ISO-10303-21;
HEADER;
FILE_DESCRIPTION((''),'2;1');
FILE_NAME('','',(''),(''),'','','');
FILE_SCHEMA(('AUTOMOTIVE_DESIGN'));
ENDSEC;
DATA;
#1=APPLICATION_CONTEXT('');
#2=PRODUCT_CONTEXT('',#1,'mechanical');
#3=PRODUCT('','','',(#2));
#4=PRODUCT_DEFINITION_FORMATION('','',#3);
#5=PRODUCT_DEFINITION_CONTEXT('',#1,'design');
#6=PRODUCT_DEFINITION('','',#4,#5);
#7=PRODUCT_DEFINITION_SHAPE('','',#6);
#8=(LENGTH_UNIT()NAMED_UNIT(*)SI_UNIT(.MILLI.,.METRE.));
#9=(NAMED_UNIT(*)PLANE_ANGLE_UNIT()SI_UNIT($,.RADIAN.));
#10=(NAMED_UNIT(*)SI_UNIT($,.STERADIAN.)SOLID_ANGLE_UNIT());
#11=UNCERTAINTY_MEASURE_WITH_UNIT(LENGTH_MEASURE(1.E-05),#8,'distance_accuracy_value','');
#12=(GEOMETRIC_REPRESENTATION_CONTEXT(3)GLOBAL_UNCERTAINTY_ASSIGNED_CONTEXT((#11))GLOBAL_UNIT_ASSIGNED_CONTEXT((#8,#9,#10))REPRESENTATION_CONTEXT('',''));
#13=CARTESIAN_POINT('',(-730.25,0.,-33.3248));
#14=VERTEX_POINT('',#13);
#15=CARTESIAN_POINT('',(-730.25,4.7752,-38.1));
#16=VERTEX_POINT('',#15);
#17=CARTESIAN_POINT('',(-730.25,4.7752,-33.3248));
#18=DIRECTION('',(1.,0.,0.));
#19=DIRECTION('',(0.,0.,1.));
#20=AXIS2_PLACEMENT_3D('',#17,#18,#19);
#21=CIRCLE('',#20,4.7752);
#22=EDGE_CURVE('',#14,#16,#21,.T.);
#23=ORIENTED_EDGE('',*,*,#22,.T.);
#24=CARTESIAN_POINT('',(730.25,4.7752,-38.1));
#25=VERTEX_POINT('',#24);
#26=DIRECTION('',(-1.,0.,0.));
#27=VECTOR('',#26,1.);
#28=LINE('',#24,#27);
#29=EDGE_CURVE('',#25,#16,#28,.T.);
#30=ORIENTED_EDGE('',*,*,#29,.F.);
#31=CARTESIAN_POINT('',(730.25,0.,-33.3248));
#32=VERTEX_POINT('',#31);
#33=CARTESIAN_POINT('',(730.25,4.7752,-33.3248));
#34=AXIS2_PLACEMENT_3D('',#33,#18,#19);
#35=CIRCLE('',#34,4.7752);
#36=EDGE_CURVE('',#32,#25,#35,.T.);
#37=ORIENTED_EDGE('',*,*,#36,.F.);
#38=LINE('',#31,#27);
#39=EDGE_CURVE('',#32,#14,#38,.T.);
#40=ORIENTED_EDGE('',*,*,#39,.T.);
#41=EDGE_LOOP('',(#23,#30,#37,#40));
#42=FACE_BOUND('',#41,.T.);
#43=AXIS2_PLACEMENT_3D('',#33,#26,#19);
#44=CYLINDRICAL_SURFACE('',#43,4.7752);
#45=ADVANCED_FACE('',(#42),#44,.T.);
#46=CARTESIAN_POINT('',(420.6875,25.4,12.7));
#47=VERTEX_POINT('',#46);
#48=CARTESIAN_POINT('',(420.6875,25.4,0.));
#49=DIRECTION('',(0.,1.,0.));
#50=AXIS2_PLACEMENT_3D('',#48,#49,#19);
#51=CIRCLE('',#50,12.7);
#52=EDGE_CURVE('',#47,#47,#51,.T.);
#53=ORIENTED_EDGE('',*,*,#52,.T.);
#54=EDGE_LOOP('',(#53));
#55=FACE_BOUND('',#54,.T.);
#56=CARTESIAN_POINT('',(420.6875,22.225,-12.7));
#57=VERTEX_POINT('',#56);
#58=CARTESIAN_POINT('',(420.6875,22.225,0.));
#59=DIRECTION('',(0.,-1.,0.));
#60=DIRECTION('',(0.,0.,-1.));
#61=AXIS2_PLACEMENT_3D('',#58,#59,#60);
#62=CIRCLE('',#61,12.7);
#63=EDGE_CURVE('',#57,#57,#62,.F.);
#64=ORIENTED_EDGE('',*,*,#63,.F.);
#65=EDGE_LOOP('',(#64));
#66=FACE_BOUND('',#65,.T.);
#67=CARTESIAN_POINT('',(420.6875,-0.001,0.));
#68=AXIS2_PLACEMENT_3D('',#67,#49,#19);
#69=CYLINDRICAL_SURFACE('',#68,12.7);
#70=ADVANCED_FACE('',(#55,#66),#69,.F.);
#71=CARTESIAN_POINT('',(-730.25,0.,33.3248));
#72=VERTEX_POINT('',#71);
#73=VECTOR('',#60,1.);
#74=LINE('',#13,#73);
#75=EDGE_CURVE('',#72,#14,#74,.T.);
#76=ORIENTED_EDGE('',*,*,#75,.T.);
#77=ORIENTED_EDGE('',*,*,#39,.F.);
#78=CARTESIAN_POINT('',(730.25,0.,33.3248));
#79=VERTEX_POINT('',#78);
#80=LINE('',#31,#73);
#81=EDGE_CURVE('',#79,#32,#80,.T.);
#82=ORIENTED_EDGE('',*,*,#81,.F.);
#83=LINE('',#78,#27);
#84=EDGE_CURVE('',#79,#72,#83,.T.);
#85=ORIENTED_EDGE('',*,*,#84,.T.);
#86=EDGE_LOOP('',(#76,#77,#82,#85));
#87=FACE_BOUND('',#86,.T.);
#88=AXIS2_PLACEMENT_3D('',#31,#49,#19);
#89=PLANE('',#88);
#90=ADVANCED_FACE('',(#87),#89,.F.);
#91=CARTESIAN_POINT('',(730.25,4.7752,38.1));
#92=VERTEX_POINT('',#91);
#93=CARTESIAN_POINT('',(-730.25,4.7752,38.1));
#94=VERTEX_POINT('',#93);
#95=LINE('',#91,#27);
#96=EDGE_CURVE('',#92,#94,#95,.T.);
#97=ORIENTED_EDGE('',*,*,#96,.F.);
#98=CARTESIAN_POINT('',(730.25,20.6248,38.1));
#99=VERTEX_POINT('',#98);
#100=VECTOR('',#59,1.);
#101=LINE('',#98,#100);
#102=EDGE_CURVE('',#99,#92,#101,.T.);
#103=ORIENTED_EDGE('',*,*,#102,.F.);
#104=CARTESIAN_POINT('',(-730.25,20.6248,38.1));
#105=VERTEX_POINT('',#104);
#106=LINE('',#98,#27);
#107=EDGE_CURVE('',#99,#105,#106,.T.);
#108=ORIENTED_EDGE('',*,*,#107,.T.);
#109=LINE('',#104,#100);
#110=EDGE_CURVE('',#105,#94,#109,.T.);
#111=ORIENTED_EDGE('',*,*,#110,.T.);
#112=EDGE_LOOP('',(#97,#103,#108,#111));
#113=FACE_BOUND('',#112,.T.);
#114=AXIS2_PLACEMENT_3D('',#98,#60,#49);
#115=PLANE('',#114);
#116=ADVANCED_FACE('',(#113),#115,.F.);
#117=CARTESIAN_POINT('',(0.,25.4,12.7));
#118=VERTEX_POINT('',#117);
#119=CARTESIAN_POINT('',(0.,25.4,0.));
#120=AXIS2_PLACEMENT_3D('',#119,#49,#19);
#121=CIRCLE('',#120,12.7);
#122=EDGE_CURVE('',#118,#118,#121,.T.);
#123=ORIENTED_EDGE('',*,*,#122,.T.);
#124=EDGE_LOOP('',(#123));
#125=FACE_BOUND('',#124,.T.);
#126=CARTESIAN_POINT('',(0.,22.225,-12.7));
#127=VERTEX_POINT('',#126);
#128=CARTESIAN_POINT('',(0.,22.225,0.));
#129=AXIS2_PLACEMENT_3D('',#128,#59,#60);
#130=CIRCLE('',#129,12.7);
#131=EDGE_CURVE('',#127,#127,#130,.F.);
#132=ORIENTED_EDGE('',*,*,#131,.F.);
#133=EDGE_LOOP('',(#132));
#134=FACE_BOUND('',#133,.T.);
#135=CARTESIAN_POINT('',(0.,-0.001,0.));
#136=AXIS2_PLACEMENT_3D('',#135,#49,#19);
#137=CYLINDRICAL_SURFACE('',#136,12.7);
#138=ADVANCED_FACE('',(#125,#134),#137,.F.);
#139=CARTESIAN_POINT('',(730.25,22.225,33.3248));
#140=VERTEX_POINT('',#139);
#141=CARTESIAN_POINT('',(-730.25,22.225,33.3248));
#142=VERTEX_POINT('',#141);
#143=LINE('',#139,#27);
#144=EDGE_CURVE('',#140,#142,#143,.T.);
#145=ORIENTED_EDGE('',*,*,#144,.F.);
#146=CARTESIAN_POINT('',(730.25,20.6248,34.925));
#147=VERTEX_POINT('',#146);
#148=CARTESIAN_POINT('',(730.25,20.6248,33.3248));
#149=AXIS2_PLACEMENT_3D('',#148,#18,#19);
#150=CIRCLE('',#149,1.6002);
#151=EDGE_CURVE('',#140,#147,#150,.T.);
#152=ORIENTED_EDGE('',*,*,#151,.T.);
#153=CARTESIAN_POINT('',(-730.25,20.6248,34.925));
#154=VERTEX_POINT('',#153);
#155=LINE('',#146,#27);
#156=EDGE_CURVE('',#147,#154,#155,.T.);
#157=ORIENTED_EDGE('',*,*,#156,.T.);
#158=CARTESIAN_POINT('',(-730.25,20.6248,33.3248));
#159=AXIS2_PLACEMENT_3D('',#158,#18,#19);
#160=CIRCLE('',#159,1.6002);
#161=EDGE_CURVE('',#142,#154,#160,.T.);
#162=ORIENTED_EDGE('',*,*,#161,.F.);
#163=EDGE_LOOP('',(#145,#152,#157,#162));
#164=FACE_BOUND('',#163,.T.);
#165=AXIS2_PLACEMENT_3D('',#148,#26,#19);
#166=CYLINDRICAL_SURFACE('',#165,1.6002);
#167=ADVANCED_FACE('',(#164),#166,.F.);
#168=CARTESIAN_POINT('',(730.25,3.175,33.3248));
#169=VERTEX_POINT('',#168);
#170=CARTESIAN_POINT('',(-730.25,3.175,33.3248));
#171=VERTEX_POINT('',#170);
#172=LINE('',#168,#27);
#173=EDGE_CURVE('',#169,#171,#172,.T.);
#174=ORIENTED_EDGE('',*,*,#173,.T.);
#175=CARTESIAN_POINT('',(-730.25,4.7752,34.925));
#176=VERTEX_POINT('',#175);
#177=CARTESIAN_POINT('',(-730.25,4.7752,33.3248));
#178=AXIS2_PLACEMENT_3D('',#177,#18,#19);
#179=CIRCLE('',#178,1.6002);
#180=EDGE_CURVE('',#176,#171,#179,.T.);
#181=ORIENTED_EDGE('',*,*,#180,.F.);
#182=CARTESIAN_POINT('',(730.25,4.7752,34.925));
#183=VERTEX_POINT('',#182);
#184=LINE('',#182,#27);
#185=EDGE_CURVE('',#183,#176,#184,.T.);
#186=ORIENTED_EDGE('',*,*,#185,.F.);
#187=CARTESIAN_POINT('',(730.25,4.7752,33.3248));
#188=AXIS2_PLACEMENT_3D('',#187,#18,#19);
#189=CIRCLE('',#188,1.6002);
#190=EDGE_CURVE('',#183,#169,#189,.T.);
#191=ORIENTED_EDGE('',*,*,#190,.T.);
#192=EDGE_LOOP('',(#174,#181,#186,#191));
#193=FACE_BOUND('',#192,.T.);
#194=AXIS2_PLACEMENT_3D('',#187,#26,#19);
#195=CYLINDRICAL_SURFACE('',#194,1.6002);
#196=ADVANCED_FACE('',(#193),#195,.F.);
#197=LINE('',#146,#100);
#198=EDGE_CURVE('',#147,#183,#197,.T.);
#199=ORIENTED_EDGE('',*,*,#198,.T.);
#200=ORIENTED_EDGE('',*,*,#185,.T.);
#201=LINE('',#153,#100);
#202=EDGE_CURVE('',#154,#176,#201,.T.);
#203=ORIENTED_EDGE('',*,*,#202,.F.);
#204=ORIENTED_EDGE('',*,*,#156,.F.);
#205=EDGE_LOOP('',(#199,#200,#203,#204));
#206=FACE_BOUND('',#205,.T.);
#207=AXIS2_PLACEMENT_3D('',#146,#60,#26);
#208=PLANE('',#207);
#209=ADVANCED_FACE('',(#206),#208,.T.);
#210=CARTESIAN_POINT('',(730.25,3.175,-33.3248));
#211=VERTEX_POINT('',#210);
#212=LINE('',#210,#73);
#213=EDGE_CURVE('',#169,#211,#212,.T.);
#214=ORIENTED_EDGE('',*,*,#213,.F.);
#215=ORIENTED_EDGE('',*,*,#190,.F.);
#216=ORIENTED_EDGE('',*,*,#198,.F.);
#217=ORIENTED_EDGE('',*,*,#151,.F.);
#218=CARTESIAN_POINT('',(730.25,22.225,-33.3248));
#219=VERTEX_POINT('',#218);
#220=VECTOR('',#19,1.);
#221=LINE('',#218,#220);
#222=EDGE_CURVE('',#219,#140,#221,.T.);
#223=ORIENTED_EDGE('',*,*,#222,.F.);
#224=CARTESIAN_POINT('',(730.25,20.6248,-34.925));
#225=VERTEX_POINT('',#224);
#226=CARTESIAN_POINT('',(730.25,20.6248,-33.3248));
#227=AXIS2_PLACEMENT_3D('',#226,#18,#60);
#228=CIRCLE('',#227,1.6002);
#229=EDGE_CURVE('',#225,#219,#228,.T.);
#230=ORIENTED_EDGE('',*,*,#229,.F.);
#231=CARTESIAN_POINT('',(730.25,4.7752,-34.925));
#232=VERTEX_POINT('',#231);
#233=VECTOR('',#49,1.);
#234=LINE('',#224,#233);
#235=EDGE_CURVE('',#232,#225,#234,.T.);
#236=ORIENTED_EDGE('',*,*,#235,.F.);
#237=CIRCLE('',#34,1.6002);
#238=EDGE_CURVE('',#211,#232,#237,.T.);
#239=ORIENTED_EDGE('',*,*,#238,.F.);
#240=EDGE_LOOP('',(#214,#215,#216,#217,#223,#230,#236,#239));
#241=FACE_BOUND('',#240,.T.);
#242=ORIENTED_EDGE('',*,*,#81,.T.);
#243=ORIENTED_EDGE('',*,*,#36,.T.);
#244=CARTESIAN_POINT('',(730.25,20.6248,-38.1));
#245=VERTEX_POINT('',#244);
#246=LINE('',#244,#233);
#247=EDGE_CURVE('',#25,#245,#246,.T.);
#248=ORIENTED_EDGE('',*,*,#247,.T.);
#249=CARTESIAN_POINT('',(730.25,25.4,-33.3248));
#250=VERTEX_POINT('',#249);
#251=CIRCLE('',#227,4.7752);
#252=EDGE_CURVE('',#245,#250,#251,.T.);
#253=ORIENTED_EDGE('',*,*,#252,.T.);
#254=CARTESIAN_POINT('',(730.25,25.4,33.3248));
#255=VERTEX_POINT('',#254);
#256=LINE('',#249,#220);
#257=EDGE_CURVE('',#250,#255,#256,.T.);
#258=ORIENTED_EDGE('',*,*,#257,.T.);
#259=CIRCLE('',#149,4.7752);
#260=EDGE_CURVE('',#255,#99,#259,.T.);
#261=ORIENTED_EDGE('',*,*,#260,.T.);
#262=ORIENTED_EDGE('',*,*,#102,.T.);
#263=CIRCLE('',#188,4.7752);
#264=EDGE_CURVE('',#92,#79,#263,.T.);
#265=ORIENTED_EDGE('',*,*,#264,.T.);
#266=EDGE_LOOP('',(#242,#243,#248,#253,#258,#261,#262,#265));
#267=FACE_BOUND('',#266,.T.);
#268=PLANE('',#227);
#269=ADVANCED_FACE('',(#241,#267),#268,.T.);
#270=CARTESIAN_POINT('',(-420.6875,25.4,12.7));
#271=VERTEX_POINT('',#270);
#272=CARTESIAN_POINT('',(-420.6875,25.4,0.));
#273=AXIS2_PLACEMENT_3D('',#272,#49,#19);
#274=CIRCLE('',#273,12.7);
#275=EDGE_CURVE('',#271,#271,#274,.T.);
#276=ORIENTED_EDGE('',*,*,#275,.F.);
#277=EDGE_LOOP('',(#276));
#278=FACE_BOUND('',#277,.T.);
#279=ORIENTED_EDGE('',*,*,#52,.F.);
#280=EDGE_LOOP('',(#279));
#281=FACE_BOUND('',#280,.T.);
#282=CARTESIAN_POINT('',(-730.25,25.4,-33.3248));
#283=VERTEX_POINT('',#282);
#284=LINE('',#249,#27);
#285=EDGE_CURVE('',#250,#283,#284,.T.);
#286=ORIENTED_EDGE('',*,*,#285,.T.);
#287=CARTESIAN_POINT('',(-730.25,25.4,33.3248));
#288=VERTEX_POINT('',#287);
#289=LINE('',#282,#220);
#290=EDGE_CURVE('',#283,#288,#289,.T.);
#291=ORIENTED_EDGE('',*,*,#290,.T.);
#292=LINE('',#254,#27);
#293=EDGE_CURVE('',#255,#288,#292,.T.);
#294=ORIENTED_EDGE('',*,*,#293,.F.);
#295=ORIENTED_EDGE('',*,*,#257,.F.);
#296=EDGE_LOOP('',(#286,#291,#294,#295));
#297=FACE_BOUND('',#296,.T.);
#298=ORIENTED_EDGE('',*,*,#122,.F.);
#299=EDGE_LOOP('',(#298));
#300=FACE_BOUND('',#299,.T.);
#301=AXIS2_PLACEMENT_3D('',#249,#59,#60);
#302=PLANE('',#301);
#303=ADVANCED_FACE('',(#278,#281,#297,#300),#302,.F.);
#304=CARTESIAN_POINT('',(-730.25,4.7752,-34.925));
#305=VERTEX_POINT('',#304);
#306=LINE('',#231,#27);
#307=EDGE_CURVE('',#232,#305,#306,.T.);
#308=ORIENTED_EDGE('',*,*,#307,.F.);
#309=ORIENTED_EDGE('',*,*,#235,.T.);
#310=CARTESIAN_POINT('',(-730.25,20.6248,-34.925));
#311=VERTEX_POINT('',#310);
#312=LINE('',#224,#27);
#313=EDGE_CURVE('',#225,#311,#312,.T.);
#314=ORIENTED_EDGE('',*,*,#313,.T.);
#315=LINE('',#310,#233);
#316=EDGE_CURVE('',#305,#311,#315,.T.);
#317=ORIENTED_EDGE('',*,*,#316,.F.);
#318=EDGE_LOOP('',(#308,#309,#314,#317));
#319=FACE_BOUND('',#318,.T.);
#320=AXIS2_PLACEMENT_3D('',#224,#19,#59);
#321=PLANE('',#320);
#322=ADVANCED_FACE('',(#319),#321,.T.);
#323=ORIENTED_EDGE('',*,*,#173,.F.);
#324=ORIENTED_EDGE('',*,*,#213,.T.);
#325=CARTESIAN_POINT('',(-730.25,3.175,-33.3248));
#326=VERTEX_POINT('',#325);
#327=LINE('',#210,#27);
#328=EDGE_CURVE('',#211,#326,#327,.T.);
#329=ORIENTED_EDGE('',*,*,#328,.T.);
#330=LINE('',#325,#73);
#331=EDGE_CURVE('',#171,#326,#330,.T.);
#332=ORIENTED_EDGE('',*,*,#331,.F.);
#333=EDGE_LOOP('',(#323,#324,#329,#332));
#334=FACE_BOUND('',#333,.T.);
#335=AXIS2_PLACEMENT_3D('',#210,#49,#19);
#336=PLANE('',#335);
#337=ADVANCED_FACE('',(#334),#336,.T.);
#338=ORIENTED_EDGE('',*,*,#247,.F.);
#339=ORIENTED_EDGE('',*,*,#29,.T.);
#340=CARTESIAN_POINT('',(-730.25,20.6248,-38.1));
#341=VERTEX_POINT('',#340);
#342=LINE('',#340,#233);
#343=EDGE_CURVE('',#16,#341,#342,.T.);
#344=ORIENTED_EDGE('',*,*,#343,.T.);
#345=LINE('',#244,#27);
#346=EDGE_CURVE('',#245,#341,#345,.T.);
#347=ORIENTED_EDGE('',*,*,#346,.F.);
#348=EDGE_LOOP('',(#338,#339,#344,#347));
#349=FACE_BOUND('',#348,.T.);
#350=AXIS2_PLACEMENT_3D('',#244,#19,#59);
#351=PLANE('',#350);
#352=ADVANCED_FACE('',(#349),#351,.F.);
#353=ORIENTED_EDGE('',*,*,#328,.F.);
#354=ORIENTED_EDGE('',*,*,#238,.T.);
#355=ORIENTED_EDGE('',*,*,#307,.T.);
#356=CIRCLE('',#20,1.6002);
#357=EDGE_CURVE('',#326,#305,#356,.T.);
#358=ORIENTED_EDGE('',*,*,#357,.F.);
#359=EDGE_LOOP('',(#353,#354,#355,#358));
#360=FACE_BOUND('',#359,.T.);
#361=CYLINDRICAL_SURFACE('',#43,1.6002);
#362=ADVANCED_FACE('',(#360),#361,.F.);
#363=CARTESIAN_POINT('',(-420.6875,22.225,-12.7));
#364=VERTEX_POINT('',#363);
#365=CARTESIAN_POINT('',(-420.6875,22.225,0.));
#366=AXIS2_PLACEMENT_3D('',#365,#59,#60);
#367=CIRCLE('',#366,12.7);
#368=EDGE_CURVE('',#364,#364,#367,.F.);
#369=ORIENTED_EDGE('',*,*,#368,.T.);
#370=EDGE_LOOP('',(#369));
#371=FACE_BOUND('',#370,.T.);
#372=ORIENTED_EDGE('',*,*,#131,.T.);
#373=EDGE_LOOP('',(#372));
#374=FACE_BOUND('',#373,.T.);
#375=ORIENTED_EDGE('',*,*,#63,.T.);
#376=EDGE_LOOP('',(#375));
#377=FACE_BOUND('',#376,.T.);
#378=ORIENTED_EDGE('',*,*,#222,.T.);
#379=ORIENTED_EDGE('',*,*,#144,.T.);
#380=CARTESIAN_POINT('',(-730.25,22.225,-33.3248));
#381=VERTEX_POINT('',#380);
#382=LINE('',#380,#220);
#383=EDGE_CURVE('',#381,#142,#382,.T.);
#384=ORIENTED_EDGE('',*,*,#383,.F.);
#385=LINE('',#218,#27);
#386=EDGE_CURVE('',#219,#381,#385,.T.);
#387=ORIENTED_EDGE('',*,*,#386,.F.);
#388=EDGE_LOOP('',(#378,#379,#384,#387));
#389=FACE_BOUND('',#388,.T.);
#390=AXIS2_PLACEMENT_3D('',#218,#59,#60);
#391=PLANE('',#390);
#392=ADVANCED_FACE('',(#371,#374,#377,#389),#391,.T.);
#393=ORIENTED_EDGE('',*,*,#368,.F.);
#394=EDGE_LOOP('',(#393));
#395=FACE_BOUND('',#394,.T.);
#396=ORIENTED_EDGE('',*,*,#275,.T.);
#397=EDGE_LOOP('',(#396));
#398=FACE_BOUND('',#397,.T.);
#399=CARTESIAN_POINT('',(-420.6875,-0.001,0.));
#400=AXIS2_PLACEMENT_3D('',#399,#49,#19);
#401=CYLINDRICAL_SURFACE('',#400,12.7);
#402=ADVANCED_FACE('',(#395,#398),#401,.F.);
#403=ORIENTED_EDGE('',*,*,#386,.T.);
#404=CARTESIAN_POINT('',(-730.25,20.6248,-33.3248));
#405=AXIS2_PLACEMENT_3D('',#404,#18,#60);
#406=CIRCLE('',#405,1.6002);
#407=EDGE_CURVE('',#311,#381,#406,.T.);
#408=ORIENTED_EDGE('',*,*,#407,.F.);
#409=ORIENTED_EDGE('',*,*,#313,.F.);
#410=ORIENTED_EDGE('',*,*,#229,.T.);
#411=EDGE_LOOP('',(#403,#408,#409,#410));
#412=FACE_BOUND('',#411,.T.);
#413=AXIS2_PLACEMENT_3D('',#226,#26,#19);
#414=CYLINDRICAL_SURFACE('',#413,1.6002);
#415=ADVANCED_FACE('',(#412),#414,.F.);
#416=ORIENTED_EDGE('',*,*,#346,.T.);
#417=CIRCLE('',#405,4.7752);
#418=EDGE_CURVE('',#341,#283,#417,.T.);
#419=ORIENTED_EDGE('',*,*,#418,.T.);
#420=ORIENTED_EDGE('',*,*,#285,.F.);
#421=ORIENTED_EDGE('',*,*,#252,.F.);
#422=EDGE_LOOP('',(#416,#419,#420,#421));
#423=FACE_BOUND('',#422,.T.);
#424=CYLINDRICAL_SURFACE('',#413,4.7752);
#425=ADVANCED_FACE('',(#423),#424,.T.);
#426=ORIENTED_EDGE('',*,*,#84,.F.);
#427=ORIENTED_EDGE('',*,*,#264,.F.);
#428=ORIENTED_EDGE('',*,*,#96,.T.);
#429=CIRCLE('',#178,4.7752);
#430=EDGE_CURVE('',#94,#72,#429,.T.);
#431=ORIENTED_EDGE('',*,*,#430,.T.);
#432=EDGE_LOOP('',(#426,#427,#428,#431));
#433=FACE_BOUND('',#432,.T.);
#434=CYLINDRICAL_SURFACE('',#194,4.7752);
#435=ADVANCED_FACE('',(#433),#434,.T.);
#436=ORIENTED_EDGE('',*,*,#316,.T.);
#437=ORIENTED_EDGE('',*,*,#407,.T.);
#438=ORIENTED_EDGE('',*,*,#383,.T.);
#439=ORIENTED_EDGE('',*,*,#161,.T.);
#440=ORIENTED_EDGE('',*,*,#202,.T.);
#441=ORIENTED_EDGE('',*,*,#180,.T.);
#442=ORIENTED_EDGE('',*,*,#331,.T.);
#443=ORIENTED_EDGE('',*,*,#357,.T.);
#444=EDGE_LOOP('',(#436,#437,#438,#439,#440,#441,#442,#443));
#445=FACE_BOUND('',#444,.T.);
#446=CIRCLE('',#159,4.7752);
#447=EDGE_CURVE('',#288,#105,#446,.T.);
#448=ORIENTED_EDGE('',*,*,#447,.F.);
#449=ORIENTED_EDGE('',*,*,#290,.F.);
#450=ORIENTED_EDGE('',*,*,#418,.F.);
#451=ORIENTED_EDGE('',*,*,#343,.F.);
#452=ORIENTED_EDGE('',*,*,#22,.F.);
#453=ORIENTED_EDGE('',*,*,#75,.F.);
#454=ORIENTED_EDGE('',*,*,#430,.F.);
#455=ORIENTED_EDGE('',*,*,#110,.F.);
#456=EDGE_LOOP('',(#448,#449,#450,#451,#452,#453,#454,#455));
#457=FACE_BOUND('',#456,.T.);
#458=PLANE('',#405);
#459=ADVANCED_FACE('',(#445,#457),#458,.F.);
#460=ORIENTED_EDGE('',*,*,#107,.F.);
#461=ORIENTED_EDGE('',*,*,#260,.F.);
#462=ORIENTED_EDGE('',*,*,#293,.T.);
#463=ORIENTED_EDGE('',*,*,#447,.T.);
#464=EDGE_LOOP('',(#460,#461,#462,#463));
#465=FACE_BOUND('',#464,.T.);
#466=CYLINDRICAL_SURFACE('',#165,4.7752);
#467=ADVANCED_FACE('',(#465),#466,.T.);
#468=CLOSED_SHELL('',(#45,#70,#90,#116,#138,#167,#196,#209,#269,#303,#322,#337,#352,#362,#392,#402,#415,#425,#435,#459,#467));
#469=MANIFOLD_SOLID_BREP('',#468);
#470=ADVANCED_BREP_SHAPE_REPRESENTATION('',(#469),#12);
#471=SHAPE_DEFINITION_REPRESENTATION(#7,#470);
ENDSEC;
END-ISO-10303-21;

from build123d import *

# Parameters (mm, degrees)
BOSS_EXTRUDE1_DEPTH = 730.25
SKETCH2_R           = 12.7
CUT_EXTRUDE1_DEPTH  = 3.175
LPATTERN1_COUNT     = 3
LPATTERN1_PITCH     = 420.6875


with BuildPart() as part:
    # Sketch1 → Boss-Extrude1 (new body, symmetric)
    with BuildSketch(Plane(origin=(0, 0, 0), x_dir=(0, 0, -1), z_dir=(1, 0, 0))):
        with BuildLine():
            Line((33.3248, 25.4), (-33.3248, 25.4))
            ThreePointArc((-33.3248, 25.4), (-36.701376302, 24.001376302), (-38.1, 20.6248))
            Line((-38.1, 20.6248), (-38.1, 4.7752))
            ThreePointArc((-38.1, 4.7752), (-36.701376302, 1.398623698), (-33.3248, 0))
            Line((-33.3248, 0), (33.3248, 0))
            ThreePointArc((33.3248, 0), (36.701376302, 1.398623698), (38.1, 4.7752))
            Line((38.1, 4.7752), (38.1, 20.6248))
            ThreePointArc((38.1, 20.6248), (36.701376302, 24.001376302), (33.3248, 25.4))
        make_face()
        with BuildLine():
            Line((33.3248, 22.225), (-33.3248, 22.225))
            ThreePointArc((-33.3248, 22.225), (-34.456312271, 21.756312271), (-34.925, 20.6248))
            Line((-34.925, 20.6248), (-34.925, 4.7752))
            ThreePointArc((-34.925, 4.7752), (-34.456312271, 3.643687729), (-33.3248, 3.175))
            Line((-33.3248, 3.175), (33.3248, 3.175))
            ThreePointArc((33.3248, 3.175), (34.456312271, 3.643687729), (34.925, 4.7752))
            Line((34.925, 4.7752), (34.925, 20.6248))
            ThreePointArc((34.925, 20.6248), (34.456312271, 21.756312271), (33.3248, 22.225))
        make_face(mode=Mode.SUBTRACT)
    extrude(amount=BOSS_EXTRUDE1_DEPTH, both=True)

    # Sketch2 → Cut-Extrude1 (cut)
    with BuildSketch(Plane(origin=(0, 25.4, 0), x_dir=(1, 0, 0), z_dir=(0, 1, 0))):
        with Locations((-420.6875, 0)):
            Circle(SKETCH2_R)
    cut_extrude1 = extrude(amount=-CUT_EXTRUDE1_DEPTH, mode=Mode.SUBTRACT)

    # LPattern1: Cut-Extrude1 ×3
    with Locations(*[(i * LPATTERN1_PITCH, 0, 0) for i in range(1, LPATTERN1_COUNT)]):
        add(cut_extrude1, mode=Mode.SUBTRACT)


solid = part.part
